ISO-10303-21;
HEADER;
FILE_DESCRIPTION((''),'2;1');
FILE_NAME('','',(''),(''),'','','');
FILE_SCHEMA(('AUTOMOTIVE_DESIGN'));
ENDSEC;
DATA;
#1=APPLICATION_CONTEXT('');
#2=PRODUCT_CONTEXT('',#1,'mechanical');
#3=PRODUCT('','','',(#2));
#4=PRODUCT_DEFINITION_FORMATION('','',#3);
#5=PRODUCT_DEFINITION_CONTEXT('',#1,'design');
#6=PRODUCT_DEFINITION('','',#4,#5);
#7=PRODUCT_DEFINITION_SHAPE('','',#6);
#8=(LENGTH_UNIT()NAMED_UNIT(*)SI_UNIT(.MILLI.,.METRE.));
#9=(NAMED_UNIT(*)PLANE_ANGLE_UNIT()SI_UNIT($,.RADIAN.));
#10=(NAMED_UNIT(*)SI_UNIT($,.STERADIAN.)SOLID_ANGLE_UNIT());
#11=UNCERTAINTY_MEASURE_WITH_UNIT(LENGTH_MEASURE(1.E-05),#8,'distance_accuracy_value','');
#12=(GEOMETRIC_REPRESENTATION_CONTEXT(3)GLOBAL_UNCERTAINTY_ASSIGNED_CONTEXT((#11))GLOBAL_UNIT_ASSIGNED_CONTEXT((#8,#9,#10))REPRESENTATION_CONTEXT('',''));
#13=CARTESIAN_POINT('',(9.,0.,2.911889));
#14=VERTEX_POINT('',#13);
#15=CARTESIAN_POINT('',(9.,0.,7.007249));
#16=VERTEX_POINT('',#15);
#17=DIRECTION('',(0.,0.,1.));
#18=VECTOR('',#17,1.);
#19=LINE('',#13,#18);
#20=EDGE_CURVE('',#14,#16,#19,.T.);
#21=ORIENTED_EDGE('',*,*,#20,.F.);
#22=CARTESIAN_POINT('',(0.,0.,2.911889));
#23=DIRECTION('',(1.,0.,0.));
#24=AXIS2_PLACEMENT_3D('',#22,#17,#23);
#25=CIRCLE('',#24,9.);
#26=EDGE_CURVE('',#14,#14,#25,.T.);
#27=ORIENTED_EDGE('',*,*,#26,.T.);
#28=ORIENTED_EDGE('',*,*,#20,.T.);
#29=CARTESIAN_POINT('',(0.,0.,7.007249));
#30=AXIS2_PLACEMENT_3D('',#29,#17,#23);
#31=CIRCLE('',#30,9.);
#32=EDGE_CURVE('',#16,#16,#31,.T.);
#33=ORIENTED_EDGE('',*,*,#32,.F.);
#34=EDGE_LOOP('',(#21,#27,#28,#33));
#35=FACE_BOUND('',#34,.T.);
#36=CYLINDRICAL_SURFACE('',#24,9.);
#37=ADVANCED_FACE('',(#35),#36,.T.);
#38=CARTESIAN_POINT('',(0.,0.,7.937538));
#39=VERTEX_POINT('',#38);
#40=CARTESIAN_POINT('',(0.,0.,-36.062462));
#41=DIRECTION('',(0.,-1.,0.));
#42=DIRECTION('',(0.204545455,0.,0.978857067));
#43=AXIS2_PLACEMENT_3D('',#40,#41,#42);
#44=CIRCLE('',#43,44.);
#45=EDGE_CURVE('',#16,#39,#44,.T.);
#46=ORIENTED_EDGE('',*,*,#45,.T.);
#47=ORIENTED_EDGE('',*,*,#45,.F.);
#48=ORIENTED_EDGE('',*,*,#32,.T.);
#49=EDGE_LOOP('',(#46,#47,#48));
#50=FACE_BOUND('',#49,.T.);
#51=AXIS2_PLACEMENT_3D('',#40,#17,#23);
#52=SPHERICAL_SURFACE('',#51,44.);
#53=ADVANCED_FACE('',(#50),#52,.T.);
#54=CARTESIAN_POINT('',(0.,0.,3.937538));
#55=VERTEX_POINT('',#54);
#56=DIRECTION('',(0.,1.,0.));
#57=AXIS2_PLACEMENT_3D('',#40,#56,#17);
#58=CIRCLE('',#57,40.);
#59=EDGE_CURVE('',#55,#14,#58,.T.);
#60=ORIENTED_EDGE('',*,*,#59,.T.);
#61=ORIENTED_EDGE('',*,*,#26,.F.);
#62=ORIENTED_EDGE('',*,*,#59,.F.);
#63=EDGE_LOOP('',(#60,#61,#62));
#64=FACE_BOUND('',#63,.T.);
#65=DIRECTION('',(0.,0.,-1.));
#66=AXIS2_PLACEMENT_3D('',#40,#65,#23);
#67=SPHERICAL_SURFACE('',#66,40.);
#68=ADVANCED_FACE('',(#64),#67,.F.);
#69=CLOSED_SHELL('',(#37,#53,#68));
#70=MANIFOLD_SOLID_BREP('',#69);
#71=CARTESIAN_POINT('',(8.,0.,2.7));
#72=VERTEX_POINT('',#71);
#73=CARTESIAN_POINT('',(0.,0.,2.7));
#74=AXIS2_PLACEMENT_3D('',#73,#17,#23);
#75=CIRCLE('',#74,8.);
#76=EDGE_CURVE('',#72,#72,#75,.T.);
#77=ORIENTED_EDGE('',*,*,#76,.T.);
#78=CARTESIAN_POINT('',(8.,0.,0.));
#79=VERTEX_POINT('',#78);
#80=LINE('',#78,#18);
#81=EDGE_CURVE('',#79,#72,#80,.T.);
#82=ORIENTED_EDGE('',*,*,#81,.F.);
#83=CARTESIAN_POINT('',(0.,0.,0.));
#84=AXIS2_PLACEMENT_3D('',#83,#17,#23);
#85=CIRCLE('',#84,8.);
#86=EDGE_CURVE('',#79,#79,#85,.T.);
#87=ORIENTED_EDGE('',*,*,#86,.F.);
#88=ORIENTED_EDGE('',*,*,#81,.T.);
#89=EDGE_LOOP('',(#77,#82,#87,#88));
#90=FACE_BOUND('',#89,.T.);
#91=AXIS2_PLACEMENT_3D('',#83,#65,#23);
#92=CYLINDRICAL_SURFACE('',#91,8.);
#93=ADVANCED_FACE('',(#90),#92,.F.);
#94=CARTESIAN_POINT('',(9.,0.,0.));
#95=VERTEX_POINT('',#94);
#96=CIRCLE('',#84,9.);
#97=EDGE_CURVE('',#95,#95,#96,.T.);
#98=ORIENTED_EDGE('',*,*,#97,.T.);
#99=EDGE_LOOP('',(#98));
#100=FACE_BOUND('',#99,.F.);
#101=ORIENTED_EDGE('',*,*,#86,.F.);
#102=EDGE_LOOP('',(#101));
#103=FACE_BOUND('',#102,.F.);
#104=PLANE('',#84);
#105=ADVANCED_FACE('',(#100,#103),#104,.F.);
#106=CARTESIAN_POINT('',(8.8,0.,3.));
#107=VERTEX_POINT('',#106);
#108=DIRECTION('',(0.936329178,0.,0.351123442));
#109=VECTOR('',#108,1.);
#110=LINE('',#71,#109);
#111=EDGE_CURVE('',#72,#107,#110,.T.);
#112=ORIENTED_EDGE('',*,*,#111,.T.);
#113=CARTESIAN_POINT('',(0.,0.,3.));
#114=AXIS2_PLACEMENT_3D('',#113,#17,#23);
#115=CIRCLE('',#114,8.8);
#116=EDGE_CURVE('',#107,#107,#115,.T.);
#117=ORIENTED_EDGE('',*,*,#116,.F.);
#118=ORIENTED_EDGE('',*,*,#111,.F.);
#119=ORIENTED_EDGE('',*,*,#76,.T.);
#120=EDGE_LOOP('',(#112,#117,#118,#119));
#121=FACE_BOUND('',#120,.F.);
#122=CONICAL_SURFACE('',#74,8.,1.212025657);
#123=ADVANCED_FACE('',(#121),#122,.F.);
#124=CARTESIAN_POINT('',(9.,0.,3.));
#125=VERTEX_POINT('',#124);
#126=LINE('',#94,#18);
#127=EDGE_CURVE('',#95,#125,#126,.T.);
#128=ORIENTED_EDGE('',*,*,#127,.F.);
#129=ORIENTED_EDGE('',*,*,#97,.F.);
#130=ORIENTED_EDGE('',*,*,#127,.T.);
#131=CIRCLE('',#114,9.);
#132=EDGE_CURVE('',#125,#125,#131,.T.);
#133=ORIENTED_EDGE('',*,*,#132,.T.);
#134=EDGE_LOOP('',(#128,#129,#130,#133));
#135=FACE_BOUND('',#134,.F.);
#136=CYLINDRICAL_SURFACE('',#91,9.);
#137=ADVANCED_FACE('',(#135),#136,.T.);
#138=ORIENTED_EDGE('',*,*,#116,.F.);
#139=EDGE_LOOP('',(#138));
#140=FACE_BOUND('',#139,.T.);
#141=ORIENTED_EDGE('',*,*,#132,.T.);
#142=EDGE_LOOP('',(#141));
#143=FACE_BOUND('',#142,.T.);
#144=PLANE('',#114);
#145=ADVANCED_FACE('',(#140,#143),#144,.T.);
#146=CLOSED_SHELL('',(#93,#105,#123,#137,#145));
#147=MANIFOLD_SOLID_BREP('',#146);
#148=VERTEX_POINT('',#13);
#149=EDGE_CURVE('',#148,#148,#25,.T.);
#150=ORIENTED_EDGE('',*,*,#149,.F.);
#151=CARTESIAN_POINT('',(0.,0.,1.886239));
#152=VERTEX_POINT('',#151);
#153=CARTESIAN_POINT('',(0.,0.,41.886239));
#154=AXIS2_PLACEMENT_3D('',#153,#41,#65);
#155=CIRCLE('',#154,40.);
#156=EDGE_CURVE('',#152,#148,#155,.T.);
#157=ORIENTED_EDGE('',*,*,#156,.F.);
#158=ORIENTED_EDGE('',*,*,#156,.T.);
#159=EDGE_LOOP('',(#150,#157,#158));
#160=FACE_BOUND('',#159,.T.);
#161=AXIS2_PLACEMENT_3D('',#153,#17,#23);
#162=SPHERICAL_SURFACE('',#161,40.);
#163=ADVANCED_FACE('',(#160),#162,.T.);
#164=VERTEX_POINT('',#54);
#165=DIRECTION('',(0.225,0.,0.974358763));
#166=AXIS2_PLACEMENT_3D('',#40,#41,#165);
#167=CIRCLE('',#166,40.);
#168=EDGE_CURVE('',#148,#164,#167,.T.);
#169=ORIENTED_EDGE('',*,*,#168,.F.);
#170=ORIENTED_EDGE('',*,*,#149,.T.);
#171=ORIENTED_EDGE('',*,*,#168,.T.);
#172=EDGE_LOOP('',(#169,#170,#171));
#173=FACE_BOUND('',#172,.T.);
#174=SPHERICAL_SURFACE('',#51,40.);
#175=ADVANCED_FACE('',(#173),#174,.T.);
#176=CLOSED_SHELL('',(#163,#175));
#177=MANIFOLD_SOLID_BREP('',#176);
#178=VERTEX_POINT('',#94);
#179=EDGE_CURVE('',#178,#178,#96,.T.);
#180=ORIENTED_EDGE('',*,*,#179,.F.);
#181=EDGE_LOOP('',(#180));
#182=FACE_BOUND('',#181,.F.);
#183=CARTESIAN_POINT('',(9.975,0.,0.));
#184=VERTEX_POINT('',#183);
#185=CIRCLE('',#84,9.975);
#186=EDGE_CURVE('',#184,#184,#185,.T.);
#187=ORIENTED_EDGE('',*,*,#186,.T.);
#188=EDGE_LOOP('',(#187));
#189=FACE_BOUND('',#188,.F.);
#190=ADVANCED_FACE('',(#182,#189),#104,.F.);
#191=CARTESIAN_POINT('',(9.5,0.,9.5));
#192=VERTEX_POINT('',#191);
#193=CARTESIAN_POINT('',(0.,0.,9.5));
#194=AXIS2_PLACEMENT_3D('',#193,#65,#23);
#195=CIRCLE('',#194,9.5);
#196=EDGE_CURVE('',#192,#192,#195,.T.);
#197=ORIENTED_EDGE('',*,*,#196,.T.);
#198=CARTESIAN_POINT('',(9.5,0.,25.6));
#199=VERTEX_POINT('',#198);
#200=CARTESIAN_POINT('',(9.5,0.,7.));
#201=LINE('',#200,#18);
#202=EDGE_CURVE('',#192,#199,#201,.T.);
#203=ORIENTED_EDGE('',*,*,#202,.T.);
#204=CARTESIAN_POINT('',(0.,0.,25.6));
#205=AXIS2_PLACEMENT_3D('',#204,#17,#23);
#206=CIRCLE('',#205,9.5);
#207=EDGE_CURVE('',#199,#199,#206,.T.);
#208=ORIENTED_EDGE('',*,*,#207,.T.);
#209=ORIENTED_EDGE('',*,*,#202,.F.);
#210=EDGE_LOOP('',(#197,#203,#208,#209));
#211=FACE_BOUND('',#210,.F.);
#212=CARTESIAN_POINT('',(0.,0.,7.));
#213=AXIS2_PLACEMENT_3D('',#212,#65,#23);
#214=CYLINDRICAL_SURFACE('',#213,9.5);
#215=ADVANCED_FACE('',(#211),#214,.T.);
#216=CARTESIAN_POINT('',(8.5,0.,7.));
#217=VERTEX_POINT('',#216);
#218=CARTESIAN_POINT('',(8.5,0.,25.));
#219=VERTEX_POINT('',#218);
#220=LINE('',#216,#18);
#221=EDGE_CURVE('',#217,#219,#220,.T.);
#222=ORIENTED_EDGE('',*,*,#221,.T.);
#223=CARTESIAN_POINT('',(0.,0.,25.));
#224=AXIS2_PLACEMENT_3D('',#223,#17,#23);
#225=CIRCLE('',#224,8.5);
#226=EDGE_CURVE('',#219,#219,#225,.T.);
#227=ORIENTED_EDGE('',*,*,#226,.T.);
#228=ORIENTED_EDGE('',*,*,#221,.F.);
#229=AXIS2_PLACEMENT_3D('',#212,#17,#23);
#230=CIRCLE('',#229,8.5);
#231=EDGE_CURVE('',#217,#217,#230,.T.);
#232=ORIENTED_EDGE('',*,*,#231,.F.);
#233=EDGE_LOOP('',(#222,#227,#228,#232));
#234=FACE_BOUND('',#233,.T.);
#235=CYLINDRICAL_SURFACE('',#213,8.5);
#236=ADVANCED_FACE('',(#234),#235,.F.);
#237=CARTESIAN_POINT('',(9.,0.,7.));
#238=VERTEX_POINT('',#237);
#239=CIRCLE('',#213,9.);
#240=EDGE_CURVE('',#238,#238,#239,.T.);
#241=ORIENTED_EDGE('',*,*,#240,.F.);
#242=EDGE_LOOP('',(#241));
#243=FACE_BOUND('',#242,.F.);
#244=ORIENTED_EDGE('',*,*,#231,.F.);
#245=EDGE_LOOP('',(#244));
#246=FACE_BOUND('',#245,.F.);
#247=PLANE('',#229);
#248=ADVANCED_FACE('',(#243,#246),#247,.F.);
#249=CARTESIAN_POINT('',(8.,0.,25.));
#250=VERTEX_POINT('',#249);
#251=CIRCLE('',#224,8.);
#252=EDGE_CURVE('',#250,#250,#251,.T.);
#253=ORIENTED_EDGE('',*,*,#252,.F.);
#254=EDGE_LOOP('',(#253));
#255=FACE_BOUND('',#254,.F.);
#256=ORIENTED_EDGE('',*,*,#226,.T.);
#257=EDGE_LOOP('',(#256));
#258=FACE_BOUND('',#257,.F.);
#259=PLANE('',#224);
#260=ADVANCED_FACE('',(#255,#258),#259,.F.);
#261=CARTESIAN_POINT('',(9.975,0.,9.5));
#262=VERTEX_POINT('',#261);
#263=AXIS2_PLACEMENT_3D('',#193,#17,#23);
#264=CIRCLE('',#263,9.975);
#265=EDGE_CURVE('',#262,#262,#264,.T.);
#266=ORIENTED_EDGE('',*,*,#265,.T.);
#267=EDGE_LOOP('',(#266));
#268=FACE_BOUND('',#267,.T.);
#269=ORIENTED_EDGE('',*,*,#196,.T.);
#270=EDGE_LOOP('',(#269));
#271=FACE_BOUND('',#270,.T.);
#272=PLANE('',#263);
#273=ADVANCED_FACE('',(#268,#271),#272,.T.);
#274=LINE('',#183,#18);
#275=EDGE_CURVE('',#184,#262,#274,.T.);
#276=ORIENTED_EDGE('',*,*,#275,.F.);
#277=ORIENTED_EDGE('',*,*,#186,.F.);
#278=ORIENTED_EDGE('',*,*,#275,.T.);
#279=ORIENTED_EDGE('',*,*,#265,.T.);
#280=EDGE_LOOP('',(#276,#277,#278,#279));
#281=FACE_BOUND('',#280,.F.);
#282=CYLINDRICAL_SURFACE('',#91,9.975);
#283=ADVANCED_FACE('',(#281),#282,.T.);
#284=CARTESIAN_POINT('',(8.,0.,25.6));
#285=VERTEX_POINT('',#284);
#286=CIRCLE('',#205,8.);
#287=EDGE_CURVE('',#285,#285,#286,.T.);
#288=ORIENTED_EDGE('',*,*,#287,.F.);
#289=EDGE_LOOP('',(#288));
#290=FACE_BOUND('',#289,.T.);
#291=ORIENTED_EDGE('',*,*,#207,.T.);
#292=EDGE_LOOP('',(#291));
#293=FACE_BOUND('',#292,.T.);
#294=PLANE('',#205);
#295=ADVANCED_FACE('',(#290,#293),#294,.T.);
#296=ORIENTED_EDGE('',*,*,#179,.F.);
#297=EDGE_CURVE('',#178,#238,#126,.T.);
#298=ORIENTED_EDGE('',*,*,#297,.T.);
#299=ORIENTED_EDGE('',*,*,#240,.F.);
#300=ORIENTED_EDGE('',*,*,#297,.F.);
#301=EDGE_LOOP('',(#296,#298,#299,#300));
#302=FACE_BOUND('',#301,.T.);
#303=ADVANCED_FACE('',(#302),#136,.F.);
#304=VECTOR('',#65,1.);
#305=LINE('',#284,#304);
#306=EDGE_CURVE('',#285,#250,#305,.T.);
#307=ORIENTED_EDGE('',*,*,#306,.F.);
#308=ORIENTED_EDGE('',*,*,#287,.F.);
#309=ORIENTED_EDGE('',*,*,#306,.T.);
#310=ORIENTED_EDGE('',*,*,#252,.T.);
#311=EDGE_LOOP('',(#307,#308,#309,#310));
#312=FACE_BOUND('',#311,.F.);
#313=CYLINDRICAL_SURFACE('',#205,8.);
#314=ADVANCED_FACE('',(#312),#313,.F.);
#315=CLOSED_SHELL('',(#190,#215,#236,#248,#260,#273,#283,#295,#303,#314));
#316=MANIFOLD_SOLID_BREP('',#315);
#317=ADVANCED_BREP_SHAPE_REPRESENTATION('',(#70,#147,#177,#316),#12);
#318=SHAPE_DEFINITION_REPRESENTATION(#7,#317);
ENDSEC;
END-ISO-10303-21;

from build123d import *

# Parameters (mm, degrees)
F0_R     = 9.975
F0_R_2   = 9.5
F0_R_3   = 9
F1_DEPTH = 9.5
F3_R     = 9.5
F3_R_2   = 8.5
F4_DEPTH = 18.6
F6_R     = 8.5
F6_R_2   = 8
F7_DEPTH = 0.6
F0_R_4   = 8.5
F0_R_5   = 8.4
F0_R_6   = 8
F8_DEPTH = 3
F9_SIZE2 = 0.8
F9_SIZE  = 0.3


with BuildPart() as f1:
    # F0 (on Top) → F1 (new body)
    with BuildSketch(Plane.XY):
        Circle(F0_R)
        Circle(F0_R_2, mode=Mode.SUBTRACT)
        Circle(F0_R_2)
        Circle(F0_R_3, mode=Mode.SUBTRACT)
    extrude(amount=F1_DEPTH)

    # F3 (on offset) → F4 (join)
    with BuildSketch(Plane.XY.offset(7)):
        Circle(F3_R)
        Circle(F3_R_2, mode=Mode.SUBTRACT)
    extrude(amount=F4_DEPTH)

    # F6 (on offset) → F7 (join)
    with BuildSketch(Plane.XY.offset(25.6)):
        Circle(F6_R)
        Circle(F6_R_2, mode=Mode.SUBTRACT)
    extrude(amount=-F7_DEPTH)


with BuildPart() as f8:
    # F0 (on Top) → F8 (new body)
    with BuildSketch(Plane.XY):
        Circle(F0_R_3)
        Circle(F0_R_4, mode=Mode.SUBTRACT)
        Circle(F0_R_4)
        Circle(F0_R_5, mode=Mode.SUBTRACT)
        Circle(F0_R_5)
        Circle(F0_R_6, mode=Mode.SUBTRACT)
    extrude(amount=F8_DEPTH)

    # F9
    f9_edges = [f8.edges().sort_by_distance(p)[0] for p in [
        (-8, 0, 3),
    ]]
    f9_side = f8.faces().sort_by_distance((-8, 0, 1.5))[0]
    chamfer(f9_edges, length=F9_SIZE, length2=F9_SIZE2, reference=f9_side)


with BuildPart() as f11:
    # F10 (on Front) → F11 (revolve)
    with BuildSketch(Plane.XZ):
        with BuildLine():
            ThreePointArc((0, 3.937538316), (4.5291267595, 3.6802987989), (9, 2.9118888558))
            Line((9, 2.9118888558), (9, 7.0072492507))
            ThreePointArc((9, 7.0072492507), (4.523976065, 7.7043481217), (0, 7.937538316))
            Line((0, 7.937538316), (0, 3.937538316))
        make_face()
    revolve(axis=Axis((0, 0, 9.7422385588), (0, 0, 1)))


with BuildPart() as f12:
    # F10 (on Front) → F12 (revolve)
    with BuildSketch(Plane.XZ):
        with BuildLine():
            ThreePointArc((0, 1.8862393956), (4.5291267595, 2.1434789128), (9, 2.9118888558))
            ThreePointArc((9, 2.9118888558), (4.5291267595, 3.6802987989), (0, 3.937538316))
            Line((0, 3.937538316), (0, 1.8862393956))
        make_face()
    revolve(axis=Axis((0, 0, 9.7422385588), (0, 0, 1)))


solid = Compound([f1.part, f8.part, f11.part, f12.part])
